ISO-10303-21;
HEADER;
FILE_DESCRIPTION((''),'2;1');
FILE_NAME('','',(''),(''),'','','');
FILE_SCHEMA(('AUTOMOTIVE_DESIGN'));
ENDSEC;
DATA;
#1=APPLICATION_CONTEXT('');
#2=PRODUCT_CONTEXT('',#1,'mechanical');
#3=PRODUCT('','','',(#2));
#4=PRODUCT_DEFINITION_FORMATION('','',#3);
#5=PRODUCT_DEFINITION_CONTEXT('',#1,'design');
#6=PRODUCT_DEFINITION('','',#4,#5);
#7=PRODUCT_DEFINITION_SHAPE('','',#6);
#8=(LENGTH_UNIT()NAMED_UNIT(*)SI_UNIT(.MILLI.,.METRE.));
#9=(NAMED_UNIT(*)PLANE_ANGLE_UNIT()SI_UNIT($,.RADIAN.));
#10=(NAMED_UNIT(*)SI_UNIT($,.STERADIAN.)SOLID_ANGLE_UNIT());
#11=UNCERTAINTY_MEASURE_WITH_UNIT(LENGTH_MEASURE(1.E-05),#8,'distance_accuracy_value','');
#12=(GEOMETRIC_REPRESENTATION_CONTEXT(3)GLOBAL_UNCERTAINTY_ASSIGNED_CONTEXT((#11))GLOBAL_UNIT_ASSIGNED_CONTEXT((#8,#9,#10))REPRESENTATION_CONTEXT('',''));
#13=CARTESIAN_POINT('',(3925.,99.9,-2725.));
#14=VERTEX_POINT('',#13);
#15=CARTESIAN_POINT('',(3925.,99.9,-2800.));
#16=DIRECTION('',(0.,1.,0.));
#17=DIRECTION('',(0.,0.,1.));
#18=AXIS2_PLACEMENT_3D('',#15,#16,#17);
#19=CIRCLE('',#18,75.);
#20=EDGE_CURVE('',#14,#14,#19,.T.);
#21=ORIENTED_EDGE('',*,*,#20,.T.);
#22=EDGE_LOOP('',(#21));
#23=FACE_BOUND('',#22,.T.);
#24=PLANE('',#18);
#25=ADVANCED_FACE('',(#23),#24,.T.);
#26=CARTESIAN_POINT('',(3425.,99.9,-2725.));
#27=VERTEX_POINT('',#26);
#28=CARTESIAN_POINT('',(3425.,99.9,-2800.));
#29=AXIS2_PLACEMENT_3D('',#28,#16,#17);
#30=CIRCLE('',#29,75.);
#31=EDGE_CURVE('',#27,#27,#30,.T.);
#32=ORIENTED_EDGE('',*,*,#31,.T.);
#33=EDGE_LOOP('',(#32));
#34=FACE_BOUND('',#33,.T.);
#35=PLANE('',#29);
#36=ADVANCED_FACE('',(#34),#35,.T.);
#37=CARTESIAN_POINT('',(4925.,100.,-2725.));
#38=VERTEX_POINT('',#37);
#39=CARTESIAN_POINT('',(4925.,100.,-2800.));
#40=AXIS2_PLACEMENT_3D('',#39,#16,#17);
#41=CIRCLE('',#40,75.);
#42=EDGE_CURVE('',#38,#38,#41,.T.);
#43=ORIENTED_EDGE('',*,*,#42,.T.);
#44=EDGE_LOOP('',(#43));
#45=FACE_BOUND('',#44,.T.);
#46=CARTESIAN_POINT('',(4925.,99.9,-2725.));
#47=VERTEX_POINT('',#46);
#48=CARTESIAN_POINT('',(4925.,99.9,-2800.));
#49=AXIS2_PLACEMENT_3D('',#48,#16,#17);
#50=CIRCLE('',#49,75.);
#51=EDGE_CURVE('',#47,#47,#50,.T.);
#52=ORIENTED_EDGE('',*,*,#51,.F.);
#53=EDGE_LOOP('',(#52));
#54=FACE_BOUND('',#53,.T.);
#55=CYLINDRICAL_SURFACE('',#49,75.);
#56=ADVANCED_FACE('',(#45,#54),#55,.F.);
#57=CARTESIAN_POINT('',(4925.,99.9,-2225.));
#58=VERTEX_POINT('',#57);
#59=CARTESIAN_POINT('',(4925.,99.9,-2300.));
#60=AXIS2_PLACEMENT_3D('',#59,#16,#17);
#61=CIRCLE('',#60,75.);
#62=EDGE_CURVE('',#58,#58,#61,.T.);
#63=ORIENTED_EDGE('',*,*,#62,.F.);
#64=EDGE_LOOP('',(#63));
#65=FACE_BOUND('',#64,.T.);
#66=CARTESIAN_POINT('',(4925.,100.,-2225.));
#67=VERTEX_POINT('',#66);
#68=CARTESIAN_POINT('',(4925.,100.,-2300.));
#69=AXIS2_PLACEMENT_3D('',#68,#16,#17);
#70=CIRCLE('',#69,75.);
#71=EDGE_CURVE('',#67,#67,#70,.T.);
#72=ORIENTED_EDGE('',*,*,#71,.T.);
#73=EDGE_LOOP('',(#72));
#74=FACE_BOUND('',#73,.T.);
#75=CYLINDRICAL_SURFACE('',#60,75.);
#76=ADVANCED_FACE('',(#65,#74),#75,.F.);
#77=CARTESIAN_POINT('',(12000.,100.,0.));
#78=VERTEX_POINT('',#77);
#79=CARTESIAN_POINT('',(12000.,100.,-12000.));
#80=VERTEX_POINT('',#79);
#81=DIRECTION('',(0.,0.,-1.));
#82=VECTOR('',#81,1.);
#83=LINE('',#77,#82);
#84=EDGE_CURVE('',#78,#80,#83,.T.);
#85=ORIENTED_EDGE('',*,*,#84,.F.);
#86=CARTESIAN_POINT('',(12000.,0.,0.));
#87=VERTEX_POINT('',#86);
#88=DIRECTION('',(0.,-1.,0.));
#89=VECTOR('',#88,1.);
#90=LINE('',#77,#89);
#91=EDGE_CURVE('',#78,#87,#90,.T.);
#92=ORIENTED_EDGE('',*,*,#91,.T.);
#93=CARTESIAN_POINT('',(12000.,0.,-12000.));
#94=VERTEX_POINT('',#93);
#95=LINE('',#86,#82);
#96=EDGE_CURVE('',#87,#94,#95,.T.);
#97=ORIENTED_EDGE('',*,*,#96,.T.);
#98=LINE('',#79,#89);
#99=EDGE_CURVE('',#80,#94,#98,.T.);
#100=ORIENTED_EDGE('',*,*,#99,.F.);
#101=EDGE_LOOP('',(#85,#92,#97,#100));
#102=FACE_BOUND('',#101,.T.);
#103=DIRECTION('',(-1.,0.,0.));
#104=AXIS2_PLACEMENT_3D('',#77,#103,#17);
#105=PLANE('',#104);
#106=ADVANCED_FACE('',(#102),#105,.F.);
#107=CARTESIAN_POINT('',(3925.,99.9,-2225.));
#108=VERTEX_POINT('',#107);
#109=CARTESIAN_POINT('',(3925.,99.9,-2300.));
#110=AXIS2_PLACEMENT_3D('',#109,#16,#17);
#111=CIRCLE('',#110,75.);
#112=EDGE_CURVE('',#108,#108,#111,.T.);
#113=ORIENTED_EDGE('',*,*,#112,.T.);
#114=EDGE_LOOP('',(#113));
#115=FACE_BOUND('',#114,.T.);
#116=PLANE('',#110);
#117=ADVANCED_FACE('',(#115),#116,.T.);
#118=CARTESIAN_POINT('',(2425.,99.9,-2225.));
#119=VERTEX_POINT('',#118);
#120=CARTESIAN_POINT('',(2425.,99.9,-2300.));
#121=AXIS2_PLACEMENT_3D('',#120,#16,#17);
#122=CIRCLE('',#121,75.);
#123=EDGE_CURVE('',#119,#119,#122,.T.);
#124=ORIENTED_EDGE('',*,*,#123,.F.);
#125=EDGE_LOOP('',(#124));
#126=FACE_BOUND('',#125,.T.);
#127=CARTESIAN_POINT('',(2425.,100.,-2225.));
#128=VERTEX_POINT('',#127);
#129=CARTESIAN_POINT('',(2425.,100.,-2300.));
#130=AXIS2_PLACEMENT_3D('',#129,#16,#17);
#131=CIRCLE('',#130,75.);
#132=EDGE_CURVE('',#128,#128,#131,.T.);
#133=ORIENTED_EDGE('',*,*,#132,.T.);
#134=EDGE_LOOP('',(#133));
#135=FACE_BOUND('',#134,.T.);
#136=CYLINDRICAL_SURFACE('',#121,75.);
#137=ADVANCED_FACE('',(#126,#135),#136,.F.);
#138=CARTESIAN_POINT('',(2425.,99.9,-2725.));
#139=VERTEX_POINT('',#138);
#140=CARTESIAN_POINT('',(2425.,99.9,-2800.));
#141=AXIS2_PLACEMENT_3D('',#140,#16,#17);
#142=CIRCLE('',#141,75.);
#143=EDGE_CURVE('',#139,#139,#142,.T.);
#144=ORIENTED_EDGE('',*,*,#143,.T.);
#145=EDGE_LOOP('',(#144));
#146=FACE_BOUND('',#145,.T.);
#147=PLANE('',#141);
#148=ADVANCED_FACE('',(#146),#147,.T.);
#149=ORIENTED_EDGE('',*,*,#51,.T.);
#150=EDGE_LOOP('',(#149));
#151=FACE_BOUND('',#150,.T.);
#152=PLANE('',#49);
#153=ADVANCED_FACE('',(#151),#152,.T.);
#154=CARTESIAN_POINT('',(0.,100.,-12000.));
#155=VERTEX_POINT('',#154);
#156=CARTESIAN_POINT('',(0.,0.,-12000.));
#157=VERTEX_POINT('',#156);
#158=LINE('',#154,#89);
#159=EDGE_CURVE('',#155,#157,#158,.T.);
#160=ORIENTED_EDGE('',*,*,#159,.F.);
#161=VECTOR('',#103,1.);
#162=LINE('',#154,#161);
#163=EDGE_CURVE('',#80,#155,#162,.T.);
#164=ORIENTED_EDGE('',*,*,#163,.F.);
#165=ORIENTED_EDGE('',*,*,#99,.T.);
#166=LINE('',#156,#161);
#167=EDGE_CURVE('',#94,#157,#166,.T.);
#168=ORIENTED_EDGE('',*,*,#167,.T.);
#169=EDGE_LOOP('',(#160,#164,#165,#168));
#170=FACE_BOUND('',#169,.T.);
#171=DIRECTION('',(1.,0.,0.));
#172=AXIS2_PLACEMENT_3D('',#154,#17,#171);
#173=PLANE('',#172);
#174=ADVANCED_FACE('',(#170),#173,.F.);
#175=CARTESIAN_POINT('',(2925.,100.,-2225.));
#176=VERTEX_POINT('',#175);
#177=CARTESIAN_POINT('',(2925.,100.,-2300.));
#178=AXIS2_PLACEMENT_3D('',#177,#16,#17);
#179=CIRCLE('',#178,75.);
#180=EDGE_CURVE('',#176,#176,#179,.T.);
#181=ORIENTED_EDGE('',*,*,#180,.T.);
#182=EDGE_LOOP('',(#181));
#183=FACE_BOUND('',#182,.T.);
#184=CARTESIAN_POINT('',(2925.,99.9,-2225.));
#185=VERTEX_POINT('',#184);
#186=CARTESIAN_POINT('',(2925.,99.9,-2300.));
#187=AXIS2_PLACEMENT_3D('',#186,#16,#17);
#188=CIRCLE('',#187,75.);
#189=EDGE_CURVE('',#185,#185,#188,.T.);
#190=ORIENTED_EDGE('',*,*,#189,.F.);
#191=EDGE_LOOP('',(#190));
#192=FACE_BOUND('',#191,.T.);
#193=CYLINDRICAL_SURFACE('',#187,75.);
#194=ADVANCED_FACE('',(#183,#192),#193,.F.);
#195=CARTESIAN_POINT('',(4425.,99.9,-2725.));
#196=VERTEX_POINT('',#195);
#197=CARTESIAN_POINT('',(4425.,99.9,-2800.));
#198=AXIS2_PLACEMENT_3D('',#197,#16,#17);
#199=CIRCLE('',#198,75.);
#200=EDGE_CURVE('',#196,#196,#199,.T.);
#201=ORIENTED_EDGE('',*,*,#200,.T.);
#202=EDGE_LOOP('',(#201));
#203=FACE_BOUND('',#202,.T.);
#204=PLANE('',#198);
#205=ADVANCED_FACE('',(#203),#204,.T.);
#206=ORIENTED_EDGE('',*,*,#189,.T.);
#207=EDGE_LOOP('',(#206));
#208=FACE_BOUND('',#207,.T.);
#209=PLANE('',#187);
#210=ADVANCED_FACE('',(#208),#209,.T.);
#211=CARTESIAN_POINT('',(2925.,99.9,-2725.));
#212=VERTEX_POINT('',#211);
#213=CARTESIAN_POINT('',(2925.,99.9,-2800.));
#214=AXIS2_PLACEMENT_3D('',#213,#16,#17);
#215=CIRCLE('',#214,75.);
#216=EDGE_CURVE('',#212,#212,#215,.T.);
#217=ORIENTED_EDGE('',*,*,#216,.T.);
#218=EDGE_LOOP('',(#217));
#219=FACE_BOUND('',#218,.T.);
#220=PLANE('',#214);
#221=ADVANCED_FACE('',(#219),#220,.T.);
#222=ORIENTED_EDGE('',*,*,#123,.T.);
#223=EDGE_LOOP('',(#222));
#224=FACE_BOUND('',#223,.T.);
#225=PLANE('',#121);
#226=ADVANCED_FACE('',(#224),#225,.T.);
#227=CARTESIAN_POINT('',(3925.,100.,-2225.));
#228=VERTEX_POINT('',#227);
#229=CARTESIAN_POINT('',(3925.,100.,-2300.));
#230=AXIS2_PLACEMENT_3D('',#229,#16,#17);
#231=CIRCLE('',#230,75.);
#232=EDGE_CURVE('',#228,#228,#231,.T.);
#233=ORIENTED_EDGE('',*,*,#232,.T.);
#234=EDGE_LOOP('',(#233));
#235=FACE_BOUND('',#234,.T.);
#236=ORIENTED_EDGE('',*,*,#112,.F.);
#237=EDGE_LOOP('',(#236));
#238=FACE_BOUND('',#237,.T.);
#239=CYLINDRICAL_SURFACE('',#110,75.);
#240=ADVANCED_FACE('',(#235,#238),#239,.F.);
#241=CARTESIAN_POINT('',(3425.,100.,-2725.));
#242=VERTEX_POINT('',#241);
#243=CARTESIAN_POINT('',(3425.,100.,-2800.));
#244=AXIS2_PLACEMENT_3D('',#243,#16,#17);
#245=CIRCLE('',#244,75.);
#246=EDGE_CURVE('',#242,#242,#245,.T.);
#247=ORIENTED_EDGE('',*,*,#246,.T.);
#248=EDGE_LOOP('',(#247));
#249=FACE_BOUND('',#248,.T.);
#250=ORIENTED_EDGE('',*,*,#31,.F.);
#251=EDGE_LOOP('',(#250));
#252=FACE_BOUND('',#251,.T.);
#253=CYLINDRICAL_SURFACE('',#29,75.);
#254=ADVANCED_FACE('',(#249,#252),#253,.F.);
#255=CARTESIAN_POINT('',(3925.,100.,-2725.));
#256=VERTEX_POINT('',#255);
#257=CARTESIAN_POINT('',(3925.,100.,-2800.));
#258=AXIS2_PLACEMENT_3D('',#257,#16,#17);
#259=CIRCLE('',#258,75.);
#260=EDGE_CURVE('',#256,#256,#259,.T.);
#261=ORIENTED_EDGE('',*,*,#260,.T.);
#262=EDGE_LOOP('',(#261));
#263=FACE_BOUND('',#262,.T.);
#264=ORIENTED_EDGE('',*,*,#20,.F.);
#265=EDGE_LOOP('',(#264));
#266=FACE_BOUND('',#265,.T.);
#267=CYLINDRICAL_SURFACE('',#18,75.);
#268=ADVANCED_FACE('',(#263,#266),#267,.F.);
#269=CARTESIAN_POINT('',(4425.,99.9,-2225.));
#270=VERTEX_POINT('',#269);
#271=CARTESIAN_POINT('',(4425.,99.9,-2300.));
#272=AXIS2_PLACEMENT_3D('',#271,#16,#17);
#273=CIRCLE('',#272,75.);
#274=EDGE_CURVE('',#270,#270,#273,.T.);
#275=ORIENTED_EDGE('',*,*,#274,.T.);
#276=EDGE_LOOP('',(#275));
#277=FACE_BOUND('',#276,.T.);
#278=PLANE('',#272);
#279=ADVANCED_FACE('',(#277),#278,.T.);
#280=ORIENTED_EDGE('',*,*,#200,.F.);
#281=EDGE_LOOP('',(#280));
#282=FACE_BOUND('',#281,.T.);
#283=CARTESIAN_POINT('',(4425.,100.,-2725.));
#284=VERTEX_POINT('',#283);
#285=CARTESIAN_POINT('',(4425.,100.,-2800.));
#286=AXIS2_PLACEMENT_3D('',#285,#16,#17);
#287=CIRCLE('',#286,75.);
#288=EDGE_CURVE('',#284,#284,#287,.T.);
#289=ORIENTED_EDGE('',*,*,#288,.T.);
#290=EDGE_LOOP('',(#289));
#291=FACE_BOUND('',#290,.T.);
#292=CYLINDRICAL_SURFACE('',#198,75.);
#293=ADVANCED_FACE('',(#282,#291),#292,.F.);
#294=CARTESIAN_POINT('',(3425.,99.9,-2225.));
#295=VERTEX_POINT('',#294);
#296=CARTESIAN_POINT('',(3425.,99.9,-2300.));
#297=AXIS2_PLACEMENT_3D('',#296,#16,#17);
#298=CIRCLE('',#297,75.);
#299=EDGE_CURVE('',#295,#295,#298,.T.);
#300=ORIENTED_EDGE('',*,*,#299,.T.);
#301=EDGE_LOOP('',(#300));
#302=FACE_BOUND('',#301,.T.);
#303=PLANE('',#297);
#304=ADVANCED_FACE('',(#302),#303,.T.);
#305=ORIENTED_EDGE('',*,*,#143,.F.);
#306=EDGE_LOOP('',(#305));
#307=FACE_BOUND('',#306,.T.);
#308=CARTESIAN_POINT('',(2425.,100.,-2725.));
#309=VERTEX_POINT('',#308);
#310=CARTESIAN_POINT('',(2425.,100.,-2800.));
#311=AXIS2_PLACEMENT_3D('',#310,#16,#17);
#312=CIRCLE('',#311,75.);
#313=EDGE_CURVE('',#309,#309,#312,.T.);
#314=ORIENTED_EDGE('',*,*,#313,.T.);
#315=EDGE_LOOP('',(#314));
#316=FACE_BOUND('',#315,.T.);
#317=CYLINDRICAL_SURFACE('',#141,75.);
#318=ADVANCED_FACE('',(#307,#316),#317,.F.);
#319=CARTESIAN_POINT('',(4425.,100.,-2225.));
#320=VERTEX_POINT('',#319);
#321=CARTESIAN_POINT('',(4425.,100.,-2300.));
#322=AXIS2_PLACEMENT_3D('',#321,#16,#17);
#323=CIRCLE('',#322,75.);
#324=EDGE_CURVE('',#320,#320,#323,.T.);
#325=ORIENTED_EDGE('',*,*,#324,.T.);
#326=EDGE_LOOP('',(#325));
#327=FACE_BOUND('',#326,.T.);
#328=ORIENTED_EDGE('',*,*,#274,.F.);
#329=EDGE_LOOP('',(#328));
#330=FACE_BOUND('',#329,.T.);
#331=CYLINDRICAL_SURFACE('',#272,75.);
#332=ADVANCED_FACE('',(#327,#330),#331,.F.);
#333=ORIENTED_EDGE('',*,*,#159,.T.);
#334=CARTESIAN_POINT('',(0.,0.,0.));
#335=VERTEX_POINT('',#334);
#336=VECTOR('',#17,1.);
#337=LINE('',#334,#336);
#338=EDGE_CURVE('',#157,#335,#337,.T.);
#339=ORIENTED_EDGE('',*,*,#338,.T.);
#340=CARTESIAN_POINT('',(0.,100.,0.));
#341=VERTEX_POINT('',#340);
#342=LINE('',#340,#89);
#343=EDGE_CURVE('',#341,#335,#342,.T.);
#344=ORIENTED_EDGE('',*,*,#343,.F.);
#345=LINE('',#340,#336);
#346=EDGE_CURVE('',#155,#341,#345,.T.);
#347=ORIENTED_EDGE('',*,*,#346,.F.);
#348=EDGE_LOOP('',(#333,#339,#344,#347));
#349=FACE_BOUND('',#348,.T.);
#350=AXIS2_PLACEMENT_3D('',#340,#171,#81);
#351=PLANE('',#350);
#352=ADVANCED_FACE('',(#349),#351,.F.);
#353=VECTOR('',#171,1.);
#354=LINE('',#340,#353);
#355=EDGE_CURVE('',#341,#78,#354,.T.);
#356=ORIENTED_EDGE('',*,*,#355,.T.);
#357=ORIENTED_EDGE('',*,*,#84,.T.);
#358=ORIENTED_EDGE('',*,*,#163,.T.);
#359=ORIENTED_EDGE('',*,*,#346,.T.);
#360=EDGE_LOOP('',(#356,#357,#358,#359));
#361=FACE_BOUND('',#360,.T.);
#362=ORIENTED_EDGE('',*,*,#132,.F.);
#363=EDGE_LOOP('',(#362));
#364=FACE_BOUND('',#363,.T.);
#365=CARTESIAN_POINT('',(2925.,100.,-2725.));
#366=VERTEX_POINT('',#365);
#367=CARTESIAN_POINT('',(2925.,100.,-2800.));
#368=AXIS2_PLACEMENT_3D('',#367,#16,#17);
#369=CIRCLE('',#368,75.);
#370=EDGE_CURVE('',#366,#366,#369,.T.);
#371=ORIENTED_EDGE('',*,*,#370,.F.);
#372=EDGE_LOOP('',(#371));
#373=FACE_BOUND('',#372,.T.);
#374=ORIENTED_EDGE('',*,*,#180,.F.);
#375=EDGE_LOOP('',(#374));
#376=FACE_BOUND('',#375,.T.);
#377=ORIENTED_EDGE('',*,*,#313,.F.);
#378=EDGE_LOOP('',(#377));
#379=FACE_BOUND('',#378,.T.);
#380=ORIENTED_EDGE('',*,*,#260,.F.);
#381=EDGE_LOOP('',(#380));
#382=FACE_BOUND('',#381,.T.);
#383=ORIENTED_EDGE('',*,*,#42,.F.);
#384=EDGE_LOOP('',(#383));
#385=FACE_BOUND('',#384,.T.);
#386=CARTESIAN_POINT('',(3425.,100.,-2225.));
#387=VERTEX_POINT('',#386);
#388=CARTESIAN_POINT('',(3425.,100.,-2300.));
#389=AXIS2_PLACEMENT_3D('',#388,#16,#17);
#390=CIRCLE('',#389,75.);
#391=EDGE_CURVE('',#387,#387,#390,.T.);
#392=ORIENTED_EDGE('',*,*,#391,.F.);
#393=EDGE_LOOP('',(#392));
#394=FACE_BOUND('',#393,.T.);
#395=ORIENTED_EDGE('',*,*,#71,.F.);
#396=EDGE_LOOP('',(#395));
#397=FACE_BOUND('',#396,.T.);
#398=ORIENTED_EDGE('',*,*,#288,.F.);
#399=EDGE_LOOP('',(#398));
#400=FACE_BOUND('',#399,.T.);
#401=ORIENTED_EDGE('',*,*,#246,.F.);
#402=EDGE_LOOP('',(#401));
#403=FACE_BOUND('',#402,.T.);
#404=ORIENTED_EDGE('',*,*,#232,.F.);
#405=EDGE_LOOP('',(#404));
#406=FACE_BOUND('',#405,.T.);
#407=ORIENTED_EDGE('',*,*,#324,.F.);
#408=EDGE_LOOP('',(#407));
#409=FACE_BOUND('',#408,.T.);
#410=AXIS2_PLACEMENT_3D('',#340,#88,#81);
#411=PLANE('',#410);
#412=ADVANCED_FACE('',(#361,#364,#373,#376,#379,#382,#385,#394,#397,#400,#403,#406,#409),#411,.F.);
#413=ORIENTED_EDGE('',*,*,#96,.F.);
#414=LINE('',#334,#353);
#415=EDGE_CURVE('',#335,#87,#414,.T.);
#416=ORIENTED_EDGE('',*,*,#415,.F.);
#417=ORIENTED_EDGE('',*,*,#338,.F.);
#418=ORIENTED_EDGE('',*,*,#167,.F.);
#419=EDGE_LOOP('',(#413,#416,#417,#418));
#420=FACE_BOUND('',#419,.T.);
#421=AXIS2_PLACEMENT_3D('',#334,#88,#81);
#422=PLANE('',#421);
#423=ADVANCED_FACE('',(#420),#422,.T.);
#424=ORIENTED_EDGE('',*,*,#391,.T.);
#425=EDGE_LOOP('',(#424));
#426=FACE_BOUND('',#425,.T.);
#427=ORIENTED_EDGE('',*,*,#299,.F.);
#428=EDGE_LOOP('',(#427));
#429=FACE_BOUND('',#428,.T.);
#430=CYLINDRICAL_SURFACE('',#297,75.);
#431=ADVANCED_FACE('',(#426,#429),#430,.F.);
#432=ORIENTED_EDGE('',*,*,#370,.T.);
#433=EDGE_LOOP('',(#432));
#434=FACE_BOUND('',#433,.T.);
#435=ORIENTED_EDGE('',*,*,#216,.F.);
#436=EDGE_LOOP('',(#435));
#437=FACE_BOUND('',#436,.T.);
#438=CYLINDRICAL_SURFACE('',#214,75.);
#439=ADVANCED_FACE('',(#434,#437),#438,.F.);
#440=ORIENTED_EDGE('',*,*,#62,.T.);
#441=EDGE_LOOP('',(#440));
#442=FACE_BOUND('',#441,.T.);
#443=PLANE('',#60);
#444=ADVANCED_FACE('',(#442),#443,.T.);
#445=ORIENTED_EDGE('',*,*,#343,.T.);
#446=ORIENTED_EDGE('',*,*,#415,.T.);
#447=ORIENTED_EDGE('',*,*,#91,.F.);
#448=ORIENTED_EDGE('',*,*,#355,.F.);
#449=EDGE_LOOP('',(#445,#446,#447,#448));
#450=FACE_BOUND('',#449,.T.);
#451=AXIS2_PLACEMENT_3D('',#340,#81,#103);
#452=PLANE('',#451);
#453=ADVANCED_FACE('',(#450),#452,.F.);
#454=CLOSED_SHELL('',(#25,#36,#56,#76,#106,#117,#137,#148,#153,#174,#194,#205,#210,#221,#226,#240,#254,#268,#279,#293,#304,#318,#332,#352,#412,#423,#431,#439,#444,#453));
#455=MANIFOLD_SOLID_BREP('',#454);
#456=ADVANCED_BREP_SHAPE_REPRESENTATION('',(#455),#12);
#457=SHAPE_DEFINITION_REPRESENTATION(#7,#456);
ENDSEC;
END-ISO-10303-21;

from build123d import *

# Parameters (mm, degrees)
SKETCH1_W           = 12000
SKETCH1_H           = 12000
BOSS_EXTRUDE1_DEPTH = 100
SKETCH5_R           = 75
CUT_EXTRUDE2_DEPTH  = 0.1


with BuildPart() as part:
    # Sketch1 → Boss-Extrude1 (new body)
    with BuildSketch(Plane(origin=(0, 0, 0), x_dir=(1, 0, 0), z_dir=(0, 1, 0))):
        with Locations((6000, 6000)):
            Rectangle(SKETCH1_W, SKETCH1_H)
    extrude(amount=BOSS_EXTRUDE1_DEPTH)

    # Sketch5 → Cut-Extrude2 (cut)
    with BuildSketch(Plane(origin=(0, 100, 0), x_dir=(1, 0, 0), z_dir=(0, 1, 0))):
        with Locations((2425, 2800)):
            Circle(SKETCH5_R)
        with Locations((2425, 2300)):
            Circle(SKETCH5_R)
        with Locations((2925, 2300)):
            Circle(SKETCH5_R)
        with Locations((3425, 2300)):
            Circle(SKETCH5_R)
        with Locations((3925, 2300)):
            Circle(SKETCH5_R)
        with Locations((4425, 2300)):
            Circle(SKETCH5_R)
        with Locations((4925, 2300)):
            Circle(SKETCH5_R)
        with Locations((2925, 2800)):
            Circle(SKETCH5_R)
        with Locations((3425, 2800)):
            Circle(SKETCH5_R)
        with Locations((3925, 2800)):
            Circle(SKETCH5_R)
        with Locations((4425, 2800)):
            Circle(SKETCH5_R)
        with Locations((4925, 2800)):
            Circle(SKETCH5_R)
    extrude(amount=-CUT_EXTRUDE2_DEPTH, mode=Mode.SUBTRACT)


solid = part.part
